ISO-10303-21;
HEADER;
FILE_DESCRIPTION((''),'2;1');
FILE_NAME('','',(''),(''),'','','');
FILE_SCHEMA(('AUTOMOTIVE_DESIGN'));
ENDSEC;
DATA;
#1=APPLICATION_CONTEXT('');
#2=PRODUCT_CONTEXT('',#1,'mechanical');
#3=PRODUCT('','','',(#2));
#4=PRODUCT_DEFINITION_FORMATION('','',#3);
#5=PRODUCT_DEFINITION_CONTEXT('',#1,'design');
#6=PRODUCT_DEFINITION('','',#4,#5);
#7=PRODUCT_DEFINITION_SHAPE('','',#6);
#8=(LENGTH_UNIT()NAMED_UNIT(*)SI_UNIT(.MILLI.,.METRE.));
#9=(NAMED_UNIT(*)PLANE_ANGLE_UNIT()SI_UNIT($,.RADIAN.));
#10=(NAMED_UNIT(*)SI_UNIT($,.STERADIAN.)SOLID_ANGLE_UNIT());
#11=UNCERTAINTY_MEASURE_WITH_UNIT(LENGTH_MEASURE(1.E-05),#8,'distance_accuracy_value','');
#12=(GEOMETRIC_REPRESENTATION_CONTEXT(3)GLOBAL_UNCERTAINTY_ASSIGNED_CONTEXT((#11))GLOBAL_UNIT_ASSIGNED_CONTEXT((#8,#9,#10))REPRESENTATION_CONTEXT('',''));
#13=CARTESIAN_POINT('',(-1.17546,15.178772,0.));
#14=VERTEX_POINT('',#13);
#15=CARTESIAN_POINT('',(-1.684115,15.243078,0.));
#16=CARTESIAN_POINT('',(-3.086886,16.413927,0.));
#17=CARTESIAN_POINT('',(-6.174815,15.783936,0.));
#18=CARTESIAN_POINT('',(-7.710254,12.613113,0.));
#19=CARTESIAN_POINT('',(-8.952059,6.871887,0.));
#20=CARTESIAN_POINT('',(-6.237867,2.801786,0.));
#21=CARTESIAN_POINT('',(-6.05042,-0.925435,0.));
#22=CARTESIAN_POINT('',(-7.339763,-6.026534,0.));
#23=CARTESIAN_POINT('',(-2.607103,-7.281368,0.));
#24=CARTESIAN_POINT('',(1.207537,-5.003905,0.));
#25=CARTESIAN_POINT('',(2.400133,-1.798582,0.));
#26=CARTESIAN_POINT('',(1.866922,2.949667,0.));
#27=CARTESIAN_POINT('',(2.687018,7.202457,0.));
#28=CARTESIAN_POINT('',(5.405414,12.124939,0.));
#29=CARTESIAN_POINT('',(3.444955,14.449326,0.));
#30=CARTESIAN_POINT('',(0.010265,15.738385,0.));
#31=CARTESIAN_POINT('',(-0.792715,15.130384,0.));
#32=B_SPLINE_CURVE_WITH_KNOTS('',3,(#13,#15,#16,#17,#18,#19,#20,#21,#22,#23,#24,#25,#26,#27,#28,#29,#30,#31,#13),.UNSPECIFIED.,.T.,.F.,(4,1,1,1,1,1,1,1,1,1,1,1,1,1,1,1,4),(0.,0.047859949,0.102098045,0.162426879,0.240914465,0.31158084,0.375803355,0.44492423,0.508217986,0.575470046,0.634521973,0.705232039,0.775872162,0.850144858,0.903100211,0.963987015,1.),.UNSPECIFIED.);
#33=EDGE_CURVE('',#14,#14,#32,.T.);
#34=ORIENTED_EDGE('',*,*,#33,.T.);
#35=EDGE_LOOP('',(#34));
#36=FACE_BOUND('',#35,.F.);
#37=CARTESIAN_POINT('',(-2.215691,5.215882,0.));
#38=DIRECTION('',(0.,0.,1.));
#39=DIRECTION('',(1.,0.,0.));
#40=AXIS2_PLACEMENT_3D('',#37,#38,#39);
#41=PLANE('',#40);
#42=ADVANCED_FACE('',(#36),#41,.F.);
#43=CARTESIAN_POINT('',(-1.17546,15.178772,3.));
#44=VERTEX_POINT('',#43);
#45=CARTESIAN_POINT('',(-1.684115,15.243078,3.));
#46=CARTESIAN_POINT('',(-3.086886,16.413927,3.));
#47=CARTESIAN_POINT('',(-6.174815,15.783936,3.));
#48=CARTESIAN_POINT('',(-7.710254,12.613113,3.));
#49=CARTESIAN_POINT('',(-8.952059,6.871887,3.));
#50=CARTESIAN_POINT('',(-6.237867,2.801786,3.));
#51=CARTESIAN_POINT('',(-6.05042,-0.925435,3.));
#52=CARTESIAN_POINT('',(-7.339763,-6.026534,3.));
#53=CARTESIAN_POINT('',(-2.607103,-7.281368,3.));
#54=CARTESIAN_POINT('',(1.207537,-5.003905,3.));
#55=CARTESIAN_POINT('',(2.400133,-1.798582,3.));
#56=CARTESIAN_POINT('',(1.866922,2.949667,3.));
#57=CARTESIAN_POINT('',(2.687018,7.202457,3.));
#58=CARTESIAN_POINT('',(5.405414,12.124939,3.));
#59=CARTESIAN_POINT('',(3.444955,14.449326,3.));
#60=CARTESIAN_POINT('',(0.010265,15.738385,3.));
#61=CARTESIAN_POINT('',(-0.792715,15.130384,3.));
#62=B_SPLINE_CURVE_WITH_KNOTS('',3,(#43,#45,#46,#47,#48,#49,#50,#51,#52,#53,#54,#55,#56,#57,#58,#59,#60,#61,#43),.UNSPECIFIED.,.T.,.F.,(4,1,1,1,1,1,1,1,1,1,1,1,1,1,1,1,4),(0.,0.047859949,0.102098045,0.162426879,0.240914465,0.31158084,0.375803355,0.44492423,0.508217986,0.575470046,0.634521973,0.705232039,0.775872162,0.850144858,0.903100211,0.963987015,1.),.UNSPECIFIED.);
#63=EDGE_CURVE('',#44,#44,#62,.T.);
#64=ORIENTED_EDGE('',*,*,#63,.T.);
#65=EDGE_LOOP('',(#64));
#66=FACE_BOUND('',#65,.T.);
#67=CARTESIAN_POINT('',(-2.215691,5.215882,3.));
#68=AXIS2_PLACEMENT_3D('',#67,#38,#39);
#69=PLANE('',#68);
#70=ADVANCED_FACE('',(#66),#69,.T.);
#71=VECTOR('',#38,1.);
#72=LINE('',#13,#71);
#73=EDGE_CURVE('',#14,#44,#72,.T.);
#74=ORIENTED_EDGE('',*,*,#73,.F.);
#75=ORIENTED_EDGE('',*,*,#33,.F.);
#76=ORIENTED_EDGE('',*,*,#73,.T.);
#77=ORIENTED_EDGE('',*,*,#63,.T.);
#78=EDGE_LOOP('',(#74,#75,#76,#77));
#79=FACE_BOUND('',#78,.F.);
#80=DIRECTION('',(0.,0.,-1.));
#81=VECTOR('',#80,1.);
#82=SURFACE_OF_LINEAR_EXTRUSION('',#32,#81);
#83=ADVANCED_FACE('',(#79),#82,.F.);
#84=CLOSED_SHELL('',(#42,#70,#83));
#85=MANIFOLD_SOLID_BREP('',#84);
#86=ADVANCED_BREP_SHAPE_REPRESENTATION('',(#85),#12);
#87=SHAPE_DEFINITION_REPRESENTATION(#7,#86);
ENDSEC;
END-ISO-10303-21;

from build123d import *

# Parameters (mm, degrees)
F1_DEPTH = 3


with BuildPart() as f1:
    # F0 (on Top) → F1 (new body)
    with BuildSketch(Plane.XY):
        with BuildLine():
            add(Edge.make_bspline(
                [(-1.1754604135, 15.1787724542), (-1.684115036, 15.2430784072), (-3.0868864954, 16.4139271121), (-6.174815033, 15.7839360802), (-7.7102539334, 12.6131127699), (-8.9520588953, 6.8718873622), (-6.237867444, 2.8017856987), (-6.050419569, -0.9254353301), (-7.3397633555, -6.0265339225), (-2.6071032813, -7.2813682951), (1.2075366089, -5.0039051298), (2.400133233, -1.7985815833), (1.8669216478, 2.9496670209), (2.6870177647, 7.2024574241), (5.4054136497, 12.124938524), (3.4449553227, 14.4493257893), (0.0102646231, 15.7383852683), (-0.7927150961, 15.1303844099), (-1.1754604135, 15.1787724542)],
                knots=[0, 0, 0, 0, 0.0478599494, 0.1020980453, 0.1624268792, 0.2409144654, 0.3115808403, 0.3758033545, 0.4449242303, 0.5082179861, 0.5754700455, 0.6345219731, 0.7052320385, 0.7758721624, 0.8501448585, 0.9031002112, 0.9639870145, 1, 1, 1, 1], degree=3))
        make_face()
    extrude(amount=F1_DEPTH)


solid = f1.part
